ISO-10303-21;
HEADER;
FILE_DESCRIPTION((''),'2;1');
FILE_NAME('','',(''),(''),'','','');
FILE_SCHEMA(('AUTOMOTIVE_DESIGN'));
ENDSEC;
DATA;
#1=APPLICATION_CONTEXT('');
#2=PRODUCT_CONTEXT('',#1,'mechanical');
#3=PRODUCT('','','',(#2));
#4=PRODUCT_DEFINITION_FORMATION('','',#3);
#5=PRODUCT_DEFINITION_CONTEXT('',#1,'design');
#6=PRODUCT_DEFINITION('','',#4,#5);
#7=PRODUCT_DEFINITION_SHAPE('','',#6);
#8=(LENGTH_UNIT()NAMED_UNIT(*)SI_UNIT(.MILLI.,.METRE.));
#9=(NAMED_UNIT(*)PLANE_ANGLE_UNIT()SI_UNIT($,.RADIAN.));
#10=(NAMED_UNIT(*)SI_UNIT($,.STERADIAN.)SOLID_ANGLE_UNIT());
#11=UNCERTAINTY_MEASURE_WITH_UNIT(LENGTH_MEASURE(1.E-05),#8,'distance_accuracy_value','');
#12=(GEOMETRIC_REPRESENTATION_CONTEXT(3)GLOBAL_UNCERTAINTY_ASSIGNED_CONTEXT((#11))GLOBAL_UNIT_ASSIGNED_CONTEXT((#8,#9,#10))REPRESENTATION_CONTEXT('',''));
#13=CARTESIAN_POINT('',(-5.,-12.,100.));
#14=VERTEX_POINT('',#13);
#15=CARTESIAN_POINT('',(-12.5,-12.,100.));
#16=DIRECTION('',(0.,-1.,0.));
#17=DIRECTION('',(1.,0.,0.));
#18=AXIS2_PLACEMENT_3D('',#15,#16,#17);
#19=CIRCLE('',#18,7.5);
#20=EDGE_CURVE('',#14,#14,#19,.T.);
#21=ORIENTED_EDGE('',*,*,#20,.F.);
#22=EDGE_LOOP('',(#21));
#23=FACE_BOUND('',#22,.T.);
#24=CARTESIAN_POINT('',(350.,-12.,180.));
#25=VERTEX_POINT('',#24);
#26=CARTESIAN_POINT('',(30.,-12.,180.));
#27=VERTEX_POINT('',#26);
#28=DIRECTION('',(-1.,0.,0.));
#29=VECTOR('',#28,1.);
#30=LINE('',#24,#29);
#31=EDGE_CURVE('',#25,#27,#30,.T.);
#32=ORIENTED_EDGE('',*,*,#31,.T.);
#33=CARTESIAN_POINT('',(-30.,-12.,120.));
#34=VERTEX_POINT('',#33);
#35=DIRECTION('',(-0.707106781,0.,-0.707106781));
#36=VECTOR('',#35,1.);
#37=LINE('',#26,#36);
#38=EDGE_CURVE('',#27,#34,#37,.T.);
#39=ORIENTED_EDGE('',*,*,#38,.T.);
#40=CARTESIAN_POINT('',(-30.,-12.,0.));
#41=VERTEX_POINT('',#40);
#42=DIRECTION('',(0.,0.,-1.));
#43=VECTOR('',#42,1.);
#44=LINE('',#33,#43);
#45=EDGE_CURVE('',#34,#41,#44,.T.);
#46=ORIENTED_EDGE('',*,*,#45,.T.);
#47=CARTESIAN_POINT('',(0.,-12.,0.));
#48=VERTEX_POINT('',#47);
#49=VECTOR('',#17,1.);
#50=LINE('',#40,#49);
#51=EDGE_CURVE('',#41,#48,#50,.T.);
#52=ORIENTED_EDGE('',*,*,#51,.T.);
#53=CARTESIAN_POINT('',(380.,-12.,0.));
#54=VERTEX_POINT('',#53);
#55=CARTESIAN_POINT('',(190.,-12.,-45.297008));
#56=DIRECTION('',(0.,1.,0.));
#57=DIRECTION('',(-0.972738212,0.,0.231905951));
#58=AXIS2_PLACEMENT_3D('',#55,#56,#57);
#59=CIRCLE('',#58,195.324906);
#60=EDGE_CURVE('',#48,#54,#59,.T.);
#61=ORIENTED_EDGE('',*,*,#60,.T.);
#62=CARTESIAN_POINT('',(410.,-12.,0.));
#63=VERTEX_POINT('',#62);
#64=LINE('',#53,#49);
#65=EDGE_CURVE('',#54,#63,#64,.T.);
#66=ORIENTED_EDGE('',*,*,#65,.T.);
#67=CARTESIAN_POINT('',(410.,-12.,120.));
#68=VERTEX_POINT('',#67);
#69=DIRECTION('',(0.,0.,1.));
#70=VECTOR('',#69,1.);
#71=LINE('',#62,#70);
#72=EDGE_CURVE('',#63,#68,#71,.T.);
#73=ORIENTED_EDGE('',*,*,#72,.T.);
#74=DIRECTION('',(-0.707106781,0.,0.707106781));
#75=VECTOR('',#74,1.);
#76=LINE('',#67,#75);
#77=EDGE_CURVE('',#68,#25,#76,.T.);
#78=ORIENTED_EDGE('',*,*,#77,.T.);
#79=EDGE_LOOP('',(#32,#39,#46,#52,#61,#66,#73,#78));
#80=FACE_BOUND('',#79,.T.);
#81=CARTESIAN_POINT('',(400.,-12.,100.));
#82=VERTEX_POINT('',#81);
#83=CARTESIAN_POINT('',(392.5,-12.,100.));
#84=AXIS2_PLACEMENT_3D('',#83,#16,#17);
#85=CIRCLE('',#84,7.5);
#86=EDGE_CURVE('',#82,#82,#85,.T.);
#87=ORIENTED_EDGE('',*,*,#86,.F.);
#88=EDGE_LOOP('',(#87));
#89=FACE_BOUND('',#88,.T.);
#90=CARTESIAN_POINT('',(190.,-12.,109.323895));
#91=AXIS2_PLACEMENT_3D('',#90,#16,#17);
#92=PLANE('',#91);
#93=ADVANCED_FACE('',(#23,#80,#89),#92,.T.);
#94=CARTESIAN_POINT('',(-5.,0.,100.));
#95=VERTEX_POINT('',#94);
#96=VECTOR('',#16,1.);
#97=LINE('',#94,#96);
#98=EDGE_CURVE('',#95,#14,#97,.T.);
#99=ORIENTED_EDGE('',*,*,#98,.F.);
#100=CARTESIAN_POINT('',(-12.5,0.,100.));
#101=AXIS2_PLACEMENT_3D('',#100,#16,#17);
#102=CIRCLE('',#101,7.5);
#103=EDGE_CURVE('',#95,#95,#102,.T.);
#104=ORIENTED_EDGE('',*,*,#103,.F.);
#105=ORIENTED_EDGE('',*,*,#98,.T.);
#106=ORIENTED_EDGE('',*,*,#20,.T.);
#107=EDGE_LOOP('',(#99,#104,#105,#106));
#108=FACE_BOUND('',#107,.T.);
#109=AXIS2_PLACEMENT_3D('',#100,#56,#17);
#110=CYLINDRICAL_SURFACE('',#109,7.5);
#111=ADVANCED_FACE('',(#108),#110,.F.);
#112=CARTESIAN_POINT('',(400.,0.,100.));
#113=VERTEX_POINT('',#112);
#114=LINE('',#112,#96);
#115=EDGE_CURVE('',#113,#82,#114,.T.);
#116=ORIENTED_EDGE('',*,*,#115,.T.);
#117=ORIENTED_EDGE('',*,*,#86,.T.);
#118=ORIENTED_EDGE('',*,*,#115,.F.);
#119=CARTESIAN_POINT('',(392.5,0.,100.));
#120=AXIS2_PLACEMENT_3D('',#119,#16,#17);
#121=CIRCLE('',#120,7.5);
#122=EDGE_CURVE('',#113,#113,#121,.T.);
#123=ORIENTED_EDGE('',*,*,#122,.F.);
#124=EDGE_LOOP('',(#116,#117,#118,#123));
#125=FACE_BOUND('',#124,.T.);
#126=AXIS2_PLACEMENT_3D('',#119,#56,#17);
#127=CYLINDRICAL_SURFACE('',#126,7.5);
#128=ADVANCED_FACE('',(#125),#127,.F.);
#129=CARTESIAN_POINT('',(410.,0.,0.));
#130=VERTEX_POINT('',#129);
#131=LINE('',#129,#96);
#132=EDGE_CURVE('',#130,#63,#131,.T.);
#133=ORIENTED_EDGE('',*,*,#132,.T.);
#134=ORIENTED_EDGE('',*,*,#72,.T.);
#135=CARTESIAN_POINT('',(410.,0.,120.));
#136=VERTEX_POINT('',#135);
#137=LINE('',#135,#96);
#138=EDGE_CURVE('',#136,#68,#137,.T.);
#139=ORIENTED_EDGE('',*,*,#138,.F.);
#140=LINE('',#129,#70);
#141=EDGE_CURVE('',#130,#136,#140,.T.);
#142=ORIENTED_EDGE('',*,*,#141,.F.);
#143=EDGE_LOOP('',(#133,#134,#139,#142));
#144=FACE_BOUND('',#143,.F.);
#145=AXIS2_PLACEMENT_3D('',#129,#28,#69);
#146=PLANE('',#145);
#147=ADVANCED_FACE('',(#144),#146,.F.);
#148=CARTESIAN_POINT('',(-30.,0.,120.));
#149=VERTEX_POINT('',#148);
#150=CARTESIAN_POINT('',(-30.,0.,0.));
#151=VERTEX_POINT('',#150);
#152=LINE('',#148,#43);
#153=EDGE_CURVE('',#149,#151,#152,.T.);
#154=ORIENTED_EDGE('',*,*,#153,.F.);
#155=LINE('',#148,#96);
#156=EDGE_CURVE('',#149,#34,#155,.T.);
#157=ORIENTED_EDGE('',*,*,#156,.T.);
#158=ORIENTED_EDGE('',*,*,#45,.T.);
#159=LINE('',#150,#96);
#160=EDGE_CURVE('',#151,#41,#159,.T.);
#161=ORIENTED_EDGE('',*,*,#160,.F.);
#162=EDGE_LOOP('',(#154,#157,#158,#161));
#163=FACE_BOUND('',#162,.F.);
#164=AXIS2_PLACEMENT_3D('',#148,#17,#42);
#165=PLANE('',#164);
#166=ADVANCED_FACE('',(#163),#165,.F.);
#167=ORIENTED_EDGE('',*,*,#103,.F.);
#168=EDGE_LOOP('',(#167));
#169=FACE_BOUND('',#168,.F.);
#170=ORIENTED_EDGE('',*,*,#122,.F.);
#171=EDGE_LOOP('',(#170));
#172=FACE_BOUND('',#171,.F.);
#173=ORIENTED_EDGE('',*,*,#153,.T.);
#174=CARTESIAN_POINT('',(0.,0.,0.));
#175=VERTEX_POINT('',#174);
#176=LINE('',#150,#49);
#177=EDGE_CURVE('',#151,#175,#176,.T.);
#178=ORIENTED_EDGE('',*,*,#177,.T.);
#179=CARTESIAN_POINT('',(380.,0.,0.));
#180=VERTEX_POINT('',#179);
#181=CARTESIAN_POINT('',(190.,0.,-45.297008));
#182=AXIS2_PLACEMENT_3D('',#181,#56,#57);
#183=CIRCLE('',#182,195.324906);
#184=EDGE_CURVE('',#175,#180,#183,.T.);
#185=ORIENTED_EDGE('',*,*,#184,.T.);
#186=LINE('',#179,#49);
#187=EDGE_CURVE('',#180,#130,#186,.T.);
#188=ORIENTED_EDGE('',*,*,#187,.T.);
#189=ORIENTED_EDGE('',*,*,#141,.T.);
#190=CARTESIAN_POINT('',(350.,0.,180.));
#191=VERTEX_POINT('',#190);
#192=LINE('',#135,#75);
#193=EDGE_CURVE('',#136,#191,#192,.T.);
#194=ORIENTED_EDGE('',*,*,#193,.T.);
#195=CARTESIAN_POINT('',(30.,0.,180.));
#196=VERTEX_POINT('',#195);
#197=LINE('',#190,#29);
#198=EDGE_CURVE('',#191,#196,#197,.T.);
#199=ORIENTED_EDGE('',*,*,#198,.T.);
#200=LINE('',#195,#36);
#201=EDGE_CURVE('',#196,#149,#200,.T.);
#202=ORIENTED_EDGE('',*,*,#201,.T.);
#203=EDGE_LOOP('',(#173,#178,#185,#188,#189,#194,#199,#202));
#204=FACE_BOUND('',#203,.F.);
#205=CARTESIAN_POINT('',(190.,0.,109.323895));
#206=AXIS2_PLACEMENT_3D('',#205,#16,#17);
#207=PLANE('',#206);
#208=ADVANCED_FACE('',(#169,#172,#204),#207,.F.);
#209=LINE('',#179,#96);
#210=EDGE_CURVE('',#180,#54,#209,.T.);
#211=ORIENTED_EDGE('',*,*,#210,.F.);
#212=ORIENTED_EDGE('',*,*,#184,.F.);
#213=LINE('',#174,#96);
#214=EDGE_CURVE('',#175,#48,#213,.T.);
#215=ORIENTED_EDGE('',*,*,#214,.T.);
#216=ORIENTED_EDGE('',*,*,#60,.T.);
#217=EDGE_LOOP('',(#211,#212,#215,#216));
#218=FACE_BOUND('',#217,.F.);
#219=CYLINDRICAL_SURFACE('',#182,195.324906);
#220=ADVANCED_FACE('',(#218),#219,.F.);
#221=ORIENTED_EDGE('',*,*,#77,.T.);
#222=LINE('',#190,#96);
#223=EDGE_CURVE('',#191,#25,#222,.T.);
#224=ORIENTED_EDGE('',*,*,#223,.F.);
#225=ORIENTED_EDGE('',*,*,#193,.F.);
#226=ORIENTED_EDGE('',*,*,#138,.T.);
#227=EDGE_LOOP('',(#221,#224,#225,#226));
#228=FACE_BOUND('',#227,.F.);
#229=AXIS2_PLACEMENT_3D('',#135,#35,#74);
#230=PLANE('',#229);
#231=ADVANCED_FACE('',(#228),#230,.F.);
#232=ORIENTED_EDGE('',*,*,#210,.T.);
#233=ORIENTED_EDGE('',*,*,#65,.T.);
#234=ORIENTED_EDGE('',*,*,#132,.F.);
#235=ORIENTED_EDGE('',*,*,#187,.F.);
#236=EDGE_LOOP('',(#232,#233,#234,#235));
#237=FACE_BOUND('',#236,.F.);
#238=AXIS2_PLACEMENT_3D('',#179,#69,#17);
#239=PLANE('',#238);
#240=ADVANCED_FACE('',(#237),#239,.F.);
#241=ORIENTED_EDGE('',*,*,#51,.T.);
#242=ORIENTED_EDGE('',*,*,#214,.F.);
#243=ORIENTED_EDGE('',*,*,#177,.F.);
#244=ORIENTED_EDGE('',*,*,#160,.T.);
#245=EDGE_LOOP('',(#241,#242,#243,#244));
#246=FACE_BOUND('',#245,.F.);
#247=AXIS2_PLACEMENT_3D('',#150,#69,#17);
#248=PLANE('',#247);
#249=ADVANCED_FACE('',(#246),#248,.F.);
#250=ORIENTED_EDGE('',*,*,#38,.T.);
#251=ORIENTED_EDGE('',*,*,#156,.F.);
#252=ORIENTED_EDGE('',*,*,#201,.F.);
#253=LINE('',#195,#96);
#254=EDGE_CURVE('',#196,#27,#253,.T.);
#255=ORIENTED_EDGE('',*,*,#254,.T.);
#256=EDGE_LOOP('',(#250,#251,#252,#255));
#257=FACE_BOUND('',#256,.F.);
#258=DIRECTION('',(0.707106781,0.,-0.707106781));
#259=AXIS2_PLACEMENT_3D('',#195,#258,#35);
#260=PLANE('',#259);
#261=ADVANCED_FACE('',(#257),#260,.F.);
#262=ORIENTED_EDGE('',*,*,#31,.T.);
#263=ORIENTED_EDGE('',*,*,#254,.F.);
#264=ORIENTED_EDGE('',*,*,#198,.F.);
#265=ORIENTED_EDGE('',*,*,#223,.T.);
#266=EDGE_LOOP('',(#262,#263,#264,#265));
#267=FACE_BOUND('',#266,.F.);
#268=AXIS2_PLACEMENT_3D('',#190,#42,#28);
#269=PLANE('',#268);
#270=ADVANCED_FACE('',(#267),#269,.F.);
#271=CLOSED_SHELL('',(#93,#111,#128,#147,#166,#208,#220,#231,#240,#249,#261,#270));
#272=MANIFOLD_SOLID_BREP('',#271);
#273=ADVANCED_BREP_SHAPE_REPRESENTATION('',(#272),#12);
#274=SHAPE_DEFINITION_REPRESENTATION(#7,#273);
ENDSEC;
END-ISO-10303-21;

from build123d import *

# Parameters (mm, degrees)
F0_R     = 7.5
F1_DEPTH = 12


with BuildPart() as f1:
    # F0 (on Front) → F1 (new body)
    with BuildSketch(Plane.XZ):
        with BuildLine():
            ThreePointArc((0, 0), (190, 150.027898), (380, 0))
            Line((380, 0), (410, 0))
            Line((410, 0), (410, 120))
            Line((410, 120), (350, 180))
            Line((350, 180), (30, 180))
            Line((30, 180), (-30, 120))
            Line((-30, 120), (-30, 0))
            Line((-30, 0), (0, 0))
        make_face()
        with Locations((-12.5, 100)):
            Circle(F0_R, mode=Mode.SUBTRACT)
        with Locations((392.5, 100)):
            Circle(F0_R, mode=Mode.SUBTRACT)
    extrude(amount=F1_DEPTH)


solid = f1.part
